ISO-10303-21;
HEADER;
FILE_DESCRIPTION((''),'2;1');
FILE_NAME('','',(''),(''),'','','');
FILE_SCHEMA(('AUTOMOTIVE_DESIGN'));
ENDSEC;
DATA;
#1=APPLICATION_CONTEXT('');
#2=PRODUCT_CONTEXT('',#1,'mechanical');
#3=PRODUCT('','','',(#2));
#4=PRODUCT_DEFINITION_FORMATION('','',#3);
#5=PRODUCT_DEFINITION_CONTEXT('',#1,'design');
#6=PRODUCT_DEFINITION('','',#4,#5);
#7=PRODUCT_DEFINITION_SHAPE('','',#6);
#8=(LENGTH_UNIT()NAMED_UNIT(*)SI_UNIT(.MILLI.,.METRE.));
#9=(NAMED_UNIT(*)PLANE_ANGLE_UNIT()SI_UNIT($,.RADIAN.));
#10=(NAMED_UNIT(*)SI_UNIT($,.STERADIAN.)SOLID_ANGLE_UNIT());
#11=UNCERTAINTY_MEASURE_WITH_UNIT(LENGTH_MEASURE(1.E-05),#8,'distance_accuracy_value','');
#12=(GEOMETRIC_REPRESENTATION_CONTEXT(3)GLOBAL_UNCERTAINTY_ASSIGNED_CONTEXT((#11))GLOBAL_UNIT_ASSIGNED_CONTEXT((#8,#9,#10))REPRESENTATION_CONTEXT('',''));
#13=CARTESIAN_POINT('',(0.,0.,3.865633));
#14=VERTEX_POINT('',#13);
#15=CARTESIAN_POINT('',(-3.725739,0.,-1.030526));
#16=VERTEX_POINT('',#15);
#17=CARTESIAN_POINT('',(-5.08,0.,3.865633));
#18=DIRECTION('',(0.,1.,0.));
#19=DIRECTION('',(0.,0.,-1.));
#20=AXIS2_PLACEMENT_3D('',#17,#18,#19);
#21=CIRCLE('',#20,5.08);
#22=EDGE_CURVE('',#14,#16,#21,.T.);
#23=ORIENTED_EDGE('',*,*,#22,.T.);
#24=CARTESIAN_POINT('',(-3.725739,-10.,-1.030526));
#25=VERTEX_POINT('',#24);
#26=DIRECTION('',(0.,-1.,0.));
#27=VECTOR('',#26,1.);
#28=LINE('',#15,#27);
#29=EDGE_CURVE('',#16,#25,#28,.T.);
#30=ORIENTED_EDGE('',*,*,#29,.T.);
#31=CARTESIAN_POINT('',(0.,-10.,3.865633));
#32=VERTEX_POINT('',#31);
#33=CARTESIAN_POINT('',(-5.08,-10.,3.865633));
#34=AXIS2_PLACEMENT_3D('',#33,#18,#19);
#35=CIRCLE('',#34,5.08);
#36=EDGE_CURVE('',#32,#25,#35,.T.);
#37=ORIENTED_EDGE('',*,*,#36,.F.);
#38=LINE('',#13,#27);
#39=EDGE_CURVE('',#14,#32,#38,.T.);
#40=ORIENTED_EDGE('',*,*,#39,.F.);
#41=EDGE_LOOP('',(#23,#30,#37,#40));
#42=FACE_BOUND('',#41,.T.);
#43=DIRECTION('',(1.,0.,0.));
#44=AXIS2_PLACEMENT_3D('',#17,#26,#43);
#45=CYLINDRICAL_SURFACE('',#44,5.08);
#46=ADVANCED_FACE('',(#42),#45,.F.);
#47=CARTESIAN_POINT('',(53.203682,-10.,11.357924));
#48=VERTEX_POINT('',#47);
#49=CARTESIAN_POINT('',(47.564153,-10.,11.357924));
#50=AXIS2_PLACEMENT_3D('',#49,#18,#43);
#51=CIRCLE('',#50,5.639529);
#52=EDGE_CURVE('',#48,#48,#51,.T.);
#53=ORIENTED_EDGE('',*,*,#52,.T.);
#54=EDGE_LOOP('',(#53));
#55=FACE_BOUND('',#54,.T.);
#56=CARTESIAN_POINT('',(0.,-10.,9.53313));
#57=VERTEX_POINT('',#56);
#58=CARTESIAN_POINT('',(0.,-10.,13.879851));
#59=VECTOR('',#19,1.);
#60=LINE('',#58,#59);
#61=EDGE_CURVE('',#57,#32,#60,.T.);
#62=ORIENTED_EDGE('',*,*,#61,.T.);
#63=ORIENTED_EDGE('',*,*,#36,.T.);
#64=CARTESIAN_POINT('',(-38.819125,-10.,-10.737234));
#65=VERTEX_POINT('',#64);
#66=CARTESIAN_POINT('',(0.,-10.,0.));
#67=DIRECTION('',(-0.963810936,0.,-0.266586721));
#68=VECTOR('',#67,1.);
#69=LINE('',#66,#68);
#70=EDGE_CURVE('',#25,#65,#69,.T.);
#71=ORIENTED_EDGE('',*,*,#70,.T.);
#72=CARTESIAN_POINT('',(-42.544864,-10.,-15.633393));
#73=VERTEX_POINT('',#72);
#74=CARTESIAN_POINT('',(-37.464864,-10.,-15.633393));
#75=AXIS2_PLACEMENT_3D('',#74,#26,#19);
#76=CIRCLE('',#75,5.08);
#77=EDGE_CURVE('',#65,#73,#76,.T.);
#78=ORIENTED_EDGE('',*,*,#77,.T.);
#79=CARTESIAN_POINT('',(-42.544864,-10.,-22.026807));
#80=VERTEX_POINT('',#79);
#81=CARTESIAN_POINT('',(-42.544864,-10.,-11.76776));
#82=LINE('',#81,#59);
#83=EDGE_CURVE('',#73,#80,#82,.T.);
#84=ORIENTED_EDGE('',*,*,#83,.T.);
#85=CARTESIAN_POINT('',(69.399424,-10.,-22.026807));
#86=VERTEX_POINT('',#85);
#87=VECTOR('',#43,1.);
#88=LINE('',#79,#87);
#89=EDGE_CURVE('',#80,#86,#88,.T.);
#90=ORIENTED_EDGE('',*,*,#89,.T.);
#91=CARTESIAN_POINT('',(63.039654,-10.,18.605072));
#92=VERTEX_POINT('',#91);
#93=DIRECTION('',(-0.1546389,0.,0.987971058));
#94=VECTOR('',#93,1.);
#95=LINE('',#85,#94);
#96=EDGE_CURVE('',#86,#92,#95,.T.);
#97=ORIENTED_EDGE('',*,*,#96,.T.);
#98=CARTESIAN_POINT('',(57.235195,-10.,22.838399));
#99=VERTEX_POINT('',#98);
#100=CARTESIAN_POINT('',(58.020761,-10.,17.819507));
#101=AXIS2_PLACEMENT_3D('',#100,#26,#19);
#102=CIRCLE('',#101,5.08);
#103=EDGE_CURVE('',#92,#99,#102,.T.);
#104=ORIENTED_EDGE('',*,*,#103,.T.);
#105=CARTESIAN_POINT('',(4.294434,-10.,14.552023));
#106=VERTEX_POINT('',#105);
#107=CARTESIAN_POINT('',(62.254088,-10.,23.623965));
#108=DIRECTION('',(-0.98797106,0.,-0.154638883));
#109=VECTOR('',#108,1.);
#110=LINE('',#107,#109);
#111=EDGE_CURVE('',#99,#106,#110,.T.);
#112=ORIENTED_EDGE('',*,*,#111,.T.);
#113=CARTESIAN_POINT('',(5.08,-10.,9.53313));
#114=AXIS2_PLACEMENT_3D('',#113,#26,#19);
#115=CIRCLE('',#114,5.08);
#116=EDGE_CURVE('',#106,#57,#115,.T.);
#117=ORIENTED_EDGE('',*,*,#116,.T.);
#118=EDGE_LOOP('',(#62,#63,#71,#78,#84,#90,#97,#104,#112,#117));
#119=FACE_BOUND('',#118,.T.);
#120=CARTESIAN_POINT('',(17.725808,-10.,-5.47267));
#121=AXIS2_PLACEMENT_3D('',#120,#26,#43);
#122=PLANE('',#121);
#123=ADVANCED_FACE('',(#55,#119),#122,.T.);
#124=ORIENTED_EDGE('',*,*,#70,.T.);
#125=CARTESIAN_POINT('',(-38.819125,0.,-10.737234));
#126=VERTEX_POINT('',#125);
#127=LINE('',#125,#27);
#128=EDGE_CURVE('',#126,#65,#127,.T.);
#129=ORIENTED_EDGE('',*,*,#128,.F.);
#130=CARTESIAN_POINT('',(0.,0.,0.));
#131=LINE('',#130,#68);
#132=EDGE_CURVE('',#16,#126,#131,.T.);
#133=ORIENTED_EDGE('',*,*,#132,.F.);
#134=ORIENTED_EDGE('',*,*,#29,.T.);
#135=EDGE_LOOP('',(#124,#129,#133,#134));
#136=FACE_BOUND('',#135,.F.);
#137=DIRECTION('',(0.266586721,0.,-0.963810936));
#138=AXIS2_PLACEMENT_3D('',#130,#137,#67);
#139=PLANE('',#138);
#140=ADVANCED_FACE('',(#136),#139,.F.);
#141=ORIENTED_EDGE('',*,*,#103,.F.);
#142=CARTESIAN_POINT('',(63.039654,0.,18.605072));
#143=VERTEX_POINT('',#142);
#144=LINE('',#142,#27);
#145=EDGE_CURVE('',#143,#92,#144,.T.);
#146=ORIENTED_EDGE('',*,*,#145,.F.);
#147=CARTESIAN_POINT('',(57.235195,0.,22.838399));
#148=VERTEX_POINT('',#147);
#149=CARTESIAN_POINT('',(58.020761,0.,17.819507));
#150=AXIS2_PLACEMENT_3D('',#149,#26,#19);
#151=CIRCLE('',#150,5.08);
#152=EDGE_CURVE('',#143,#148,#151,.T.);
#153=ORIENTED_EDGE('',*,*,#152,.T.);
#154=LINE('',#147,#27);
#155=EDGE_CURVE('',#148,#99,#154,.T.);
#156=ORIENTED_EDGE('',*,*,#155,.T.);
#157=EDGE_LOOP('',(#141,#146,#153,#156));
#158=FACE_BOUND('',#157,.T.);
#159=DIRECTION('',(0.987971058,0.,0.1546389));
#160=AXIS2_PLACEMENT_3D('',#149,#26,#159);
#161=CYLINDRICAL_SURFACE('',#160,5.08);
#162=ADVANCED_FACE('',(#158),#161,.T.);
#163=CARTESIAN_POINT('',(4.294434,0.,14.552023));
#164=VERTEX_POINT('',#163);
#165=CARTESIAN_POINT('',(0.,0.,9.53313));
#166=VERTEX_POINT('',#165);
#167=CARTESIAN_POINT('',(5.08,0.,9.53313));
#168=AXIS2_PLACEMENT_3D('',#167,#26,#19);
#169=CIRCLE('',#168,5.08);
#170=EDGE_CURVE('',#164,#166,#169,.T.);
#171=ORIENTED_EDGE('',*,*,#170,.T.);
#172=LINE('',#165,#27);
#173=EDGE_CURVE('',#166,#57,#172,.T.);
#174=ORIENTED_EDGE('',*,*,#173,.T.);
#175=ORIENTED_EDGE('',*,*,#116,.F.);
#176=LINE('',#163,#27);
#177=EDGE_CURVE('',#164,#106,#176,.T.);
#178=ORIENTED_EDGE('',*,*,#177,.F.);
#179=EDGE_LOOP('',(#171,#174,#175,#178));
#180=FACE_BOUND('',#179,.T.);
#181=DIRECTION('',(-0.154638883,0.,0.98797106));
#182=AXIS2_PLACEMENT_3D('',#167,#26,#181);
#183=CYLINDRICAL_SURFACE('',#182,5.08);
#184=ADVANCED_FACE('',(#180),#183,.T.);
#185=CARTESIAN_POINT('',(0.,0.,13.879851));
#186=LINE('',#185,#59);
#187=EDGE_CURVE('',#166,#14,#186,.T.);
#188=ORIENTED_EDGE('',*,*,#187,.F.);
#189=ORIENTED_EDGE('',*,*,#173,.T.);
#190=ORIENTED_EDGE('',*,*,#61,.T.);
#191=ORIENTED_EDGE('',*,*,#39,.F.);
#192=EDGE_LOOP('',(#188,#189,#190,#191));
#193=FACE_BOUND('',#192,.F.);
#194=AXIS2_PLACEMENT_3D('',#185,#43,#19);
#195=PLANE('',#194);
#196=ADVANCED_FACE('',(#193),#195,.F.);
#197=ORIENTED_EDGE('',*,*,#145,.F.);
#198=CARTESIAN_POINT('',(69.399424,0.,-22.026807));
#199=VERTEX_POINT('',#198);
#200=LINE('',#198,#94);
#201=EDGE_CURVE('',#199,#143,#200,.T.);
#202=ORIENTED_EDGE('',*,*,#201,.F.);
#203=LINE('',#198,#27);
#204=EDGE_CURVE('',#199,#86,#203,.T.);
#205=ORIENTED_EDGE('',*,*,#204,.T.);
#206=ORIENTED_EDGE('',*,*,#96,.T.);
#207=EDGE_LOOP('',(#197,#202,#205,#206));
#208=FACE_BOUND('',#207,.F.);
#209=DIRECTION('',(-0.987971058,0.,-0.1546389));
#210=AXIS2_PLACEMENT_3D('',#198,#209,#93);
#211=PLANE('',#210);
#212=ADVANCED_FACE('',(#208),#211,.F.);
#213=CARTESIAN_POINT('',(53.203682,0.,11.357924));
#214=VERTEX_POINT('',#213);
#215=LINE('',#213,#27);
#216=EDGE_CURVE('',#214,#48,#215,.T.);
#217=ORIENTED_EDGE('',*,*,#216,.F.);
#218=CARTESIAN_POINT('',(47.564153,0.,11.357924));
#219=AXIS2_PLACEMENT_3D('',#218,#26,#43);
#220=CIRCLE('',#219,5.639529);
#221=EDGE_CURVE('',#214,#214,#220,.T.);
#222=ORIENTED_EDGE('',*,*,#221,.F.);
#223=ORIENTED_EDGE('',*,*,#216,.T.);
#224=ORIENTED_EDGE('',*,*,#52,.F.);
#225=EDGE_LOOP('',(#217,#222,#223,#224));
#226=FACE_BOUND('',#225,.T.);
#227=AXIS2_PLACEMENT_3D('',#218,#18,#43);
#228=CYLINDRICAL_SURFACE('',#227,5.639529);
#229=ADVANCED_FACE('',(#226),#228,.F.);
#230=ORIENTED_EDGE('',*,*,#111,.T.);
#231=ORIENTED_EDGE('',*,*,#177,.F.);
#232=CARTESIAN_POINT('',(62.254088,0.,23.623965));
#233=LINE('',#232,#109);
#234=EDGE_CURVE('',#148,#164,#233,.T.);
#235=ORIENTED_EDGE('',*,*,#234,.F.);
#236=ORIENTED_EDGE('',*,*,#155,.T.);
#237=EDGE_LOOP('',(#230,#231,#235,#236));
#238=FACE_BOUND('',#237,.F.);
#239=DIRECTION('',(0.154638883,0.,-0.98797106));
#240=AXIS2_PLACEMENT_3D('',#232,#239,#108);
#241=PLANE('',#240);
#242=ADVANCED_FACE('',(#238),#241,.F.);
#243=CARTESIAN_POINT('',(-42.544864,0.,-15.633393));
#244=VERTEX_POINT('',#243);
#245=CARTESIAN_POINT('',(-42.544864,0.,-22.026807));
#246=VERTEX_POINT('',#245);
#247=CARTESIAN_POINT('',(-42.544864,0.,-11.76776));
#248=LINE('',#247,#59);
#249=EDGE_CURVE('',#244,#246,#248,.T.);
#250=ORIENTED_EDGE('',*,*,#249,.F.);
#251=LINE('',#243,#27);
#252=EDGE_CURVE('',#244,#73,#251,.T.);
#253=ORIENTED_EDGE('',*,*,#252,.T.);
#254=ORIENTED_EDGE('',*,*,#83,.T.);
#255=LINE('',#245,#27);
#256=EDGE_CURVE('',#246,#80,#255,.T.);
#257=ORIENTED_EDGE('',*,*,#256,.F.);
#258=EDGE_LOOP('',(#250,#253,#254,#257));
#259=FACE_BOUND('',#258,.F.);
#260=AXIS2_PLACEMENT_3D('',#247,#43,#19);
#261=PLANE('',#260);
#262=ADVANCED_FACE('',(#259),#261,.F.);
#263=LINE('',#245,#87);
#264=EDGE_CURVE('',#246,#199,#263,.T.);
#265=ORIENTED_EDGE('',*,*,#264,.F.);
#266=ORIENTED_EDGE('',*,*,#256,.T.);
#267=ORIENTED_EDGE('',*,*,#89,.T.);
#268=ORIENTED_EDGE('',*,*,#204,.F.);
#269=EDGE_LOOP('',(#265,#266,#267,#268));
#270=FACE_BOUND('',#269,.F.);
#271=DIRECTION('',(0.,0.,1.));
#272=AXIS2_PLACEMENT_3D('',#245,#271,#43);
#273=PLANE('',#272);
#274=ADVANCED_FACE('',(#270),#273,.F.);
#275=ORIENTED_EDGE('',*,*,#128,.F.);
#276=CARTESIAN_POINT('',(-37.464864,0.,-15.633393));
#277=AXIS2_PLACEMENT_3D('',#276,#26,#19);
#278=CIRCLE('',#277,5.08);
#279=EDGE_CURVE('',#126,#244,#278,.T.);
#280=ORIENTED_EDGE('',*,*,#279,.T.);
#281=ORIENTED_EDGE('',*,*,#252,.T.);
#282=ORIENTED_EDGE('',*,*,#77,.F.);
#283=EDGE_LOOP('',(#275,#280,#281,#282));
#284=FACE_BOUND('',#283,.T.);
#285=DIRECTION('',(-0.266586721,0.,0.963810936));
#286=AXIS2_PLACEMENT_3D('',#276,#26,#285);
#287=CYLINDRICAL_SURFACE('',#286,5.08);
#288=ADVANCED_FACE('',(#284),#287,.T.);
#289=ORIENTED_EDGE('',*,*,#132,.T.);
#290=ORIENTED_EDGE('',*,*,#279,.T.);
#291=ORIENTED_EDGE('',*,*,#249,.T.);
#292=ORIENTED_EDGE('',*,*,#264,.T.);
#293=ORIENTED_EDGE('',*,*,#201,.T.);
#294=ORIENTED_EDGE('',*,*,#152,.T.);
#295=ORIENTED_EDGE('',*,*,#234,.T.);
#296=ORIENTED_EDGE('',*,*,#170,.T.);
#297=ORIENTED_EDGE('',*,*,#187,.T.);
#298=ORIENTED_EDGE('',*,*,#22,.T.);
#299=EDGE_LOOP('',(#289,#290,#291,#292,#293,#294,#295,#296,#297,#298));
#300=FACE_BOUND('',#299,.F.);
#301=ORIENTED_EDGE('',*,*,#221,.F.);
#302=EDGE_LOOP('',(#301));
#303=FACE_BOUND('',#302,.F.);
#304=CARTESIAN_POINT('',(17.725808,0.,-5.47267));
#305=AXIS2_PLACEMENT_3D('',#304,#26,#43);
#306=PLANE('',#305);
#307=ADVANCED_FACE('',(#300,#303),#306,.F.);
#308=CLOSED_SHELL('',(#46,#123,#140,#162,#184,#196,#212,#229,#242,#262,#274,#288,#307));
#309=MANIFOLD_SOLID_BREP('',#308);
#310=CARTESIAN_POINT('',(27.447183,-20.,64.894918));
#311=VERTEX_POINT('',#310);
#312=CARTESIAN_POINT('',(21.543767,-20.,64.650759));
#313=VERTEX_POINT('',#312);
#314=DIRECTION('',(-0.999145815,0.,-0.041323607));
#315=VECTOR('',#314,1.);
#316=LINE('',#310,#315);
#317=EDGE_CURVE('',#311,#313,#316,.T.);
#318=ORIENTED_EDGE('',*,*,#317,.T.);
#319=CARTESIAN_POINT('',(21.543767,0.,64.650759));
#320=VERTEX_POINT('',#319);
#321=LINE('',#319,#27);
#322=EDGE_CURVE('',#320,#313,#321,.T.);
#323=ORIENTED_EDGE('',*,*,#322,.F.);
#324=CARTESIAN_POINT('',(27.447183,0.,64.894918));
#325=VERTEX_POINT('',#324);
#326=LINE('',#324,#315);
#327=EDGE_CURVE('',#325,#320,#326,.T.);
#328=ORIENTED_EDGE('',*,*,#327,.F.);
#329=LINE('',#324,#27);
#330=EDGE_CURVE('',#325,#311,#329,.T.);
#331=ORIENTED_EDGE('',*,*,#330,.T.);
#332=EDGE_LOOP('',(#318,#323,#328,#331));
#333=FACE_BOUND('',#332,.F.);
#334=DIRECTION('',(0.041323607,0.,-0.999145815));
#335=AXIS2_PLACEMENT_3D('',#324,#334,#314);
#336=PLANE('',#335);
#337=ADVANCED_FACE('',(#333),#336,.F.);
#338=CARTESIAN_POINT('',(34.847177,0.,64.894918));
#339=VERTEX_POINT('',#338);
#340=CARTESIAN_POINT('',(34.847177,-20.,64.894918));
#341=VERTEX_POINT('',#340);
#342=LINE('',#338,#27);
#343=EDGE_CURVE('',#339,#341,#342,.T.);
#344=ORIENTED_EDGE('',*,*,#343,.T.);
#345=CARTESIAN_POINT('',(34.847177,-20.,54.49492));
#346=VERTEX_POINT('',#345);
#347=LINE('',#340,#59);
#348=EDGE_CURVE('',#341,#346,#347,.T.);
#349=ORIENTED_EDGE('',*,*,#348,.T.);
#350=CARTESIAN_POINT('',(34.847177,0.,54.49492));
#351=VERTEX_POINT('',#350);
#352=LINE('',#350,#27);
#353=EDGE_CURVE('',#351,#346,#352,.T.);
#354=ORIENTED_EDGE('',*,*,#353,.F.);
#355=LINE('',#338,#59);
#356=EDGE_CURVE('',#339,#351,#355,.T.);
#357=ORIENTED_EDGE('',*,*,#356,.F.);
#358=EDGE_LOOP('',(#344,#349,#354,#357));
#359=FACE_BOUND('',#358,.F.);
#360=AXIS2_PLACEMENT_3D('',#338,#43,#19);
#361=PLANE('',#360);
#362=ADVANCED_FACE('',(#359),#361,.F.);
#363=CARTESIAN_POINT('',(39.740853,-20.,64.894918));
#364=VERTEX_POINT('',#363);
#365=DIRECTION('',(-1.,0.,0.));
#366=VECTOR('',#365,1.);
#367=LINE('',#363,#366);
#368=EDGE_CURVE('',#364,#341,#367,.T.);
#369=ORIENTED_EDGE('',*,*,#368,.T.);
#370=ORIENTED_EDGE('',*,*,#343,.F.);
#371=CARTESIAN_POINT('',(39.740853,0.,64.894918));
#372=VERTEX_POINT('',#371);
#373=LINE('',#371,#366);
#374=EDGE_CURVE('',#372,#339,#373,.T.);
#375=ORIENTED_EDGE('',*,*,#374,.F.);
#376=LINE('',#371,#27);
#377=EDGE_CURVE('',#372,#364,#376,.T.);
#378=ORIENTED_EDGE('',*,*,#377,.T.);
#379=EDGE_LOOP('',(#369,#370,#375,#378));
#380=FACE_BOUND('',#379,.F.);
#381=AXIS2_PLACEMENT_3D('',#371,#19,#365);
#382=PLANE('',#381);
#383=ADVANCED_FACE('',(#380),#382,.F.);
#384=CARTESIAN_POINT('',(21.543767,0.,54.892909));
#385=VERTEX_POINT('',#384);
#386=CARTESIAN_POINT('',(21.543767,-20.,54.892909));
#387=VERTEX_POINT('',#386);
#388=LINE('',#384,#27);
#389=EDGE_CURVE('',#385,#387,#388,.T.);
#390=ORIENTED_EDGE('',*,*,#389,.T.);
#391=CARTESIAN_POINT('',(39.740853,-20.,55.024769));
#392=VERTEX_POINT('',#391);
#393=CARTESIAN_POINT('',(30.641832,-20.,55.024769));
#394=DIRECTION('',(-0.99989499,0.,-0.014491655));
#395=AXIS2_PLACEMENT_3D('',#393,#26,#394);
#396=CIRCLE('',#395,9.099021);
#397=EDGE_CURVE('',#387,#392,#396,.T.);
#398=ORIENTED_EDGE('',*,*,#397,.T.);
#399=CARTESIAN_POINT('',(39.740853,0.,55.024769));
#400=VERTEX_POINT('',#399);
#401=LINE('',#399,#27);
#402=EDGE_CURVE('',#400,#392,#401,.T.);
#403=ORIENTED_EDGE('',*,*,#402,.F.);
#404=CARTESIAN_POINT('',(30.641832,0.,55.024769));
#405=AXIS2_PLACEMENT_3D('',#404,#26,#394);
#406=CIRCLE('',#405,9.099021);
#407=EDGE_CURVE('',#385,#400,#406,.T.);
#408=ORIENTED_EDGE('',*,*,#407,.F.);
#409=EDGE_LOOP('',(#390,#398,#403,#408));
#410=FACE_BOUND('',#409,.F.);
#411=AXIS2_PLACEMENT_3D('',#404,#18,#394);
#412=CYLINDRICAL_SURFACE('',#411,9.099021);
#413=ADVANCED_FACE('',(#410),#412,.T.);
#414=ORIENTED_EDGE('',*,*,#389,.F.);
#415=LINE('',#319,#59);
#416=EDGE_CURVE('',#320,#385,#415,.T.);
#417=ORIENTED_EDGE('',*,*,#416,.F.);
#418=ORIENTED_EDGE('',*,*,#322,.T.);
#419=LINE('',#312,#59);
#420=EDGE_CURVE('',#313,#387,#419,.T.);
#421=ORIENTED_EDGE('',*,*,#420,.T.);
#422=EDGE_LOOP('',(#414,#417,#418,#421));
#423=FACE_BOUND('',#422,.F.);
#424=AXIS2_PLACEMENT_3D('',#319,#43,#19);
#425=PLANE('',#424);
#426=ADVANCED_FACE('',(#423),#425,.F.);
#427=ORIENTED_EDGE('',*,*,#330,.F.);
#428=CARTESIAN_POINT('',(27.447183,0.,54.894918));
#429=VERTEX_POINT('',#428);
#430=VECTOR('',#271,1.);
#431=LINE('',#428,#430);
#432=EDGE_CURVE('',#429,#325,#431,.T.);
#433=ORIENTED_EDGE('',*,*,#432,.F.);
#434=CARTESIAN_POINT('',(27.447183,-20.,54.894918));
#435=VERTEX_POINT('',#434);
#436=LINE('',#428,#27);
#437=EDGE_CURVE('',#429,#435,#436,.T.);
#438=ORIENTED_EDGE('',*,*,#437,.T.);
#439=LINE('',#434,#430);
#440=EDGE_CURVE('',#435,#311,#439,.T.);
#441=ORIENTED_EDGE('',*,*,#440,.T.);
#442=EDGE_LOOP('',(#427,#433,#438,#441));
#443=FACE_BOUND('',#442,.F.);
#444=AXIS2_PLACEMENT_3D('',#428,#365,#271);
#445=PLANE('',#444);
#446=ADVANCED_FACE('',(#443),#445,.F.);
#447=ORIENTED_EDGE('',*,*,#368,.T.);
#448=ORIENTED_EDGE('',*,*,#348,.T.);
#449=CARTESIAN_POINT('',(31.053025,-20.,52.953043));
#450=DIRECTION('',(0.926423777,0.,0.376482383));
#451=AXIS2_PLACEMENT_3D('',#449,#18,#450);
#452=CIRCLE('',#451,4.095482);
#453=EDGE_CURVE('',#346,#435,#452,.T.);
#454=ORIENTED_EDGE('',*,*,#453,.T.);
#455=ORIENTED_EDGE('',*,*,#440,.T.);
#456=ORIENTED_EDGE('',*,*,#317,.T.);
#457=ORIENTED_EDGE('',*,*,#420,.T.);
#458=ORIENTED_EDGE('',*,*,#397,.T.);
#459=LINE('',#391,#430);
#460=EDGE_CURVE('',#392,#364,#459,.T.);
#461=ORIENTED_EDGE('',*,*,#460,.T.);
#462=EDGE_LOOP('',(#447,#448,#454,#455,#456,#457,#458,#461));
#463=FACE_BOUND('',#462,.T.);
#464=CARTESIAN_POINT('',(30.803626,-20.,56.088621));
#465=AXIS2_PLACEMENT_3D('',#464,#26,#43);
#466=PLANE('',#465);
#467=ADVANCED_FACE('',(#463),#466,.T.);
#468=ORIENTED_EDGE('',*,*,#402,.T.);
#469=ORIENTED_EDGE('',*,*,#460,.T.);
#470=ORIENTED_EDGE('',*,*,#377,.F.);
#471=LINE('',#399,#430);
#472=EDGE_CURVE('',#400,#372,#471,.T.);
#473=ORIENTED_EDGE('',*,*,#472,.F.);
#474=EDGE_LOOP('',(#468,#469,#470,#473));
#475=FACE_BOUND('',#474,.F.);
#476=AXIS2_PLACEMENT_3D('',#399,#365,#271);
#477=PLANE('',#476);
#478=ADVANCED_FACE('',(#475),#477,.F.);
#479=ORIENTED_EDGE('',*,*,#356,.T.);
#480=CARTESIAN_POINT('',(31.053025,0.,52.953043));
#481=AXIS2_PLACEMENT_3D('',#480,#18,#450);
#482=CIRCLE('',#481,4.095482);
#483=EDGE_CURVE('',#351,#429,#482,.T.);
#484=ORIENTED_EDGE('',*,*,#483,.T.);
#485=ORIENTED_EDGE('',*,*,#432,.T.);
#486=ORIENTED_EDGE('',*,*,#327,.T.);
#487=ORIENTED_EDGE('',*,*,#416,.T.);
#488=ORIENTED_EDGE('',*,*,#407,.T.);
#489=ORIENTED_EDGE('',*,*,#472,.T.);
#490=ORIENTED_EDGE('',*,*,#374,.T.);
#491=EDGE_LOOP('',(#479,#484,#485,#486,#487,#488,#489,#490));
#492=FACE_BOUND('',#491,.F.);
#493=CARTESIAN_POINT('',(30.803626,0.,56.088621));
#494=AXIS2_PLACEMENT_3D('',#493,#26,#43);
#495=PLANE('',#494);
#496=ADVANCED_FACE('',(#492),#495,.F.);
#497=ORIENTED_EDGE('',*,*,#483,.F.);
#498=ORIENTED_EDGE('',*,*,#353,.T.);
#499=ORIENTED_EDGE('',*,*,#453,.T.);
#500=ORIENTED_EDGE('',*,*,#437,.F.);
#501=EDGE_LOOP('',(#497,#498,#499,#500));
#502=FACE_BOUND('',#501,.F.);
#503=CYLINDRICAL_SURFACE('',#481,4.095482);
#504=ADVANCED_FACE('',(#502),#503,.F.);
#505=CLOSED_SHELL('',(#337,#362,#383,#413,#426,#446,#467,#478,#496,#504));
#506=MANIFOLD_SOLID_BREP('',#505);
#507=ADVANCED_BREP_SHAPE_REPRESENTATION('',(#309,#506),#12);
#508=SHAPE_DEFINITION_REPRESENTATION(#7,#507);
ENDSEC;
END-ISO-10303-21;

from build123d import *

# Parameters (mm, degrees)
F1_DEPTH = 10
F2_R     = 5.08
F3_R     = 5.639529
F4_DEPTH = 93.354344
F6_DEPTH = 20


with BuildPart() as f1:
    # F0 (on Front) → F1 (new body)
    with BuildSketch(Plane.XZ):
        Polygon((38.018815, -22.026807), (49.484797, -22.026807), (69.399424, -22.026807), (62.254088, 23.623965), (0, 13.879851), (0, 0), (-42.544864, -11.76776), (-42.544864, -22.026807), align=None)
    extrude(amount=F1_DEPTH)

    # F2
    f2_edges = [f1.edges().sort_by_distance(p)[0] for p in [
        (62.254088, -5, 23.623965),
        (0, -5, 13.879851),
        (0, -5, 0),
        (-42.544864, -5, -11.76776),
    ]]
    fillet(f2_edges, radius=F2_R)

    # F3 (on Front) → F4 (cut)
    with BuildSketch(Plane.XZ):
        with Locations((47.564153, 11.357924)):
            Circle(F3_R)
    extrude(amount=F4_DEPTH, mode=Mode.SUBTRACT)


with BuildPart() as f6:
    # F5 (on Front) → F6 (new body)
    with BuildSketch(Plane.XZ):
        with BuildLine():
            ThreePointArc((34.847177, 54.49492), (30.831971, 48.863531), (27.447183, 54.894918))
            Line((27.447183, 54.894918), (27.447183, 64.894918))
            Line((27.447183, 64.894918), (21.543767, 64.650759))
            Line((21.543767, 64.650759), (21.543767, 54.892909))
            ThreePointArc((21.543767, 54.892909), (30.707764, 45.925987), (39.740853, 55.024769))
            Line((39.740853, 55.024769), (39.740853, 64.894918))
            Line((39.740853, 64.894918), (34.847177, 64.894918))
            Line((34.847177, 64.894918), (34.847177, 54.49492))
        make_face()
    extrude(amount=F6_DEPTH)


solid = Compound([f1.part, f6.part])
